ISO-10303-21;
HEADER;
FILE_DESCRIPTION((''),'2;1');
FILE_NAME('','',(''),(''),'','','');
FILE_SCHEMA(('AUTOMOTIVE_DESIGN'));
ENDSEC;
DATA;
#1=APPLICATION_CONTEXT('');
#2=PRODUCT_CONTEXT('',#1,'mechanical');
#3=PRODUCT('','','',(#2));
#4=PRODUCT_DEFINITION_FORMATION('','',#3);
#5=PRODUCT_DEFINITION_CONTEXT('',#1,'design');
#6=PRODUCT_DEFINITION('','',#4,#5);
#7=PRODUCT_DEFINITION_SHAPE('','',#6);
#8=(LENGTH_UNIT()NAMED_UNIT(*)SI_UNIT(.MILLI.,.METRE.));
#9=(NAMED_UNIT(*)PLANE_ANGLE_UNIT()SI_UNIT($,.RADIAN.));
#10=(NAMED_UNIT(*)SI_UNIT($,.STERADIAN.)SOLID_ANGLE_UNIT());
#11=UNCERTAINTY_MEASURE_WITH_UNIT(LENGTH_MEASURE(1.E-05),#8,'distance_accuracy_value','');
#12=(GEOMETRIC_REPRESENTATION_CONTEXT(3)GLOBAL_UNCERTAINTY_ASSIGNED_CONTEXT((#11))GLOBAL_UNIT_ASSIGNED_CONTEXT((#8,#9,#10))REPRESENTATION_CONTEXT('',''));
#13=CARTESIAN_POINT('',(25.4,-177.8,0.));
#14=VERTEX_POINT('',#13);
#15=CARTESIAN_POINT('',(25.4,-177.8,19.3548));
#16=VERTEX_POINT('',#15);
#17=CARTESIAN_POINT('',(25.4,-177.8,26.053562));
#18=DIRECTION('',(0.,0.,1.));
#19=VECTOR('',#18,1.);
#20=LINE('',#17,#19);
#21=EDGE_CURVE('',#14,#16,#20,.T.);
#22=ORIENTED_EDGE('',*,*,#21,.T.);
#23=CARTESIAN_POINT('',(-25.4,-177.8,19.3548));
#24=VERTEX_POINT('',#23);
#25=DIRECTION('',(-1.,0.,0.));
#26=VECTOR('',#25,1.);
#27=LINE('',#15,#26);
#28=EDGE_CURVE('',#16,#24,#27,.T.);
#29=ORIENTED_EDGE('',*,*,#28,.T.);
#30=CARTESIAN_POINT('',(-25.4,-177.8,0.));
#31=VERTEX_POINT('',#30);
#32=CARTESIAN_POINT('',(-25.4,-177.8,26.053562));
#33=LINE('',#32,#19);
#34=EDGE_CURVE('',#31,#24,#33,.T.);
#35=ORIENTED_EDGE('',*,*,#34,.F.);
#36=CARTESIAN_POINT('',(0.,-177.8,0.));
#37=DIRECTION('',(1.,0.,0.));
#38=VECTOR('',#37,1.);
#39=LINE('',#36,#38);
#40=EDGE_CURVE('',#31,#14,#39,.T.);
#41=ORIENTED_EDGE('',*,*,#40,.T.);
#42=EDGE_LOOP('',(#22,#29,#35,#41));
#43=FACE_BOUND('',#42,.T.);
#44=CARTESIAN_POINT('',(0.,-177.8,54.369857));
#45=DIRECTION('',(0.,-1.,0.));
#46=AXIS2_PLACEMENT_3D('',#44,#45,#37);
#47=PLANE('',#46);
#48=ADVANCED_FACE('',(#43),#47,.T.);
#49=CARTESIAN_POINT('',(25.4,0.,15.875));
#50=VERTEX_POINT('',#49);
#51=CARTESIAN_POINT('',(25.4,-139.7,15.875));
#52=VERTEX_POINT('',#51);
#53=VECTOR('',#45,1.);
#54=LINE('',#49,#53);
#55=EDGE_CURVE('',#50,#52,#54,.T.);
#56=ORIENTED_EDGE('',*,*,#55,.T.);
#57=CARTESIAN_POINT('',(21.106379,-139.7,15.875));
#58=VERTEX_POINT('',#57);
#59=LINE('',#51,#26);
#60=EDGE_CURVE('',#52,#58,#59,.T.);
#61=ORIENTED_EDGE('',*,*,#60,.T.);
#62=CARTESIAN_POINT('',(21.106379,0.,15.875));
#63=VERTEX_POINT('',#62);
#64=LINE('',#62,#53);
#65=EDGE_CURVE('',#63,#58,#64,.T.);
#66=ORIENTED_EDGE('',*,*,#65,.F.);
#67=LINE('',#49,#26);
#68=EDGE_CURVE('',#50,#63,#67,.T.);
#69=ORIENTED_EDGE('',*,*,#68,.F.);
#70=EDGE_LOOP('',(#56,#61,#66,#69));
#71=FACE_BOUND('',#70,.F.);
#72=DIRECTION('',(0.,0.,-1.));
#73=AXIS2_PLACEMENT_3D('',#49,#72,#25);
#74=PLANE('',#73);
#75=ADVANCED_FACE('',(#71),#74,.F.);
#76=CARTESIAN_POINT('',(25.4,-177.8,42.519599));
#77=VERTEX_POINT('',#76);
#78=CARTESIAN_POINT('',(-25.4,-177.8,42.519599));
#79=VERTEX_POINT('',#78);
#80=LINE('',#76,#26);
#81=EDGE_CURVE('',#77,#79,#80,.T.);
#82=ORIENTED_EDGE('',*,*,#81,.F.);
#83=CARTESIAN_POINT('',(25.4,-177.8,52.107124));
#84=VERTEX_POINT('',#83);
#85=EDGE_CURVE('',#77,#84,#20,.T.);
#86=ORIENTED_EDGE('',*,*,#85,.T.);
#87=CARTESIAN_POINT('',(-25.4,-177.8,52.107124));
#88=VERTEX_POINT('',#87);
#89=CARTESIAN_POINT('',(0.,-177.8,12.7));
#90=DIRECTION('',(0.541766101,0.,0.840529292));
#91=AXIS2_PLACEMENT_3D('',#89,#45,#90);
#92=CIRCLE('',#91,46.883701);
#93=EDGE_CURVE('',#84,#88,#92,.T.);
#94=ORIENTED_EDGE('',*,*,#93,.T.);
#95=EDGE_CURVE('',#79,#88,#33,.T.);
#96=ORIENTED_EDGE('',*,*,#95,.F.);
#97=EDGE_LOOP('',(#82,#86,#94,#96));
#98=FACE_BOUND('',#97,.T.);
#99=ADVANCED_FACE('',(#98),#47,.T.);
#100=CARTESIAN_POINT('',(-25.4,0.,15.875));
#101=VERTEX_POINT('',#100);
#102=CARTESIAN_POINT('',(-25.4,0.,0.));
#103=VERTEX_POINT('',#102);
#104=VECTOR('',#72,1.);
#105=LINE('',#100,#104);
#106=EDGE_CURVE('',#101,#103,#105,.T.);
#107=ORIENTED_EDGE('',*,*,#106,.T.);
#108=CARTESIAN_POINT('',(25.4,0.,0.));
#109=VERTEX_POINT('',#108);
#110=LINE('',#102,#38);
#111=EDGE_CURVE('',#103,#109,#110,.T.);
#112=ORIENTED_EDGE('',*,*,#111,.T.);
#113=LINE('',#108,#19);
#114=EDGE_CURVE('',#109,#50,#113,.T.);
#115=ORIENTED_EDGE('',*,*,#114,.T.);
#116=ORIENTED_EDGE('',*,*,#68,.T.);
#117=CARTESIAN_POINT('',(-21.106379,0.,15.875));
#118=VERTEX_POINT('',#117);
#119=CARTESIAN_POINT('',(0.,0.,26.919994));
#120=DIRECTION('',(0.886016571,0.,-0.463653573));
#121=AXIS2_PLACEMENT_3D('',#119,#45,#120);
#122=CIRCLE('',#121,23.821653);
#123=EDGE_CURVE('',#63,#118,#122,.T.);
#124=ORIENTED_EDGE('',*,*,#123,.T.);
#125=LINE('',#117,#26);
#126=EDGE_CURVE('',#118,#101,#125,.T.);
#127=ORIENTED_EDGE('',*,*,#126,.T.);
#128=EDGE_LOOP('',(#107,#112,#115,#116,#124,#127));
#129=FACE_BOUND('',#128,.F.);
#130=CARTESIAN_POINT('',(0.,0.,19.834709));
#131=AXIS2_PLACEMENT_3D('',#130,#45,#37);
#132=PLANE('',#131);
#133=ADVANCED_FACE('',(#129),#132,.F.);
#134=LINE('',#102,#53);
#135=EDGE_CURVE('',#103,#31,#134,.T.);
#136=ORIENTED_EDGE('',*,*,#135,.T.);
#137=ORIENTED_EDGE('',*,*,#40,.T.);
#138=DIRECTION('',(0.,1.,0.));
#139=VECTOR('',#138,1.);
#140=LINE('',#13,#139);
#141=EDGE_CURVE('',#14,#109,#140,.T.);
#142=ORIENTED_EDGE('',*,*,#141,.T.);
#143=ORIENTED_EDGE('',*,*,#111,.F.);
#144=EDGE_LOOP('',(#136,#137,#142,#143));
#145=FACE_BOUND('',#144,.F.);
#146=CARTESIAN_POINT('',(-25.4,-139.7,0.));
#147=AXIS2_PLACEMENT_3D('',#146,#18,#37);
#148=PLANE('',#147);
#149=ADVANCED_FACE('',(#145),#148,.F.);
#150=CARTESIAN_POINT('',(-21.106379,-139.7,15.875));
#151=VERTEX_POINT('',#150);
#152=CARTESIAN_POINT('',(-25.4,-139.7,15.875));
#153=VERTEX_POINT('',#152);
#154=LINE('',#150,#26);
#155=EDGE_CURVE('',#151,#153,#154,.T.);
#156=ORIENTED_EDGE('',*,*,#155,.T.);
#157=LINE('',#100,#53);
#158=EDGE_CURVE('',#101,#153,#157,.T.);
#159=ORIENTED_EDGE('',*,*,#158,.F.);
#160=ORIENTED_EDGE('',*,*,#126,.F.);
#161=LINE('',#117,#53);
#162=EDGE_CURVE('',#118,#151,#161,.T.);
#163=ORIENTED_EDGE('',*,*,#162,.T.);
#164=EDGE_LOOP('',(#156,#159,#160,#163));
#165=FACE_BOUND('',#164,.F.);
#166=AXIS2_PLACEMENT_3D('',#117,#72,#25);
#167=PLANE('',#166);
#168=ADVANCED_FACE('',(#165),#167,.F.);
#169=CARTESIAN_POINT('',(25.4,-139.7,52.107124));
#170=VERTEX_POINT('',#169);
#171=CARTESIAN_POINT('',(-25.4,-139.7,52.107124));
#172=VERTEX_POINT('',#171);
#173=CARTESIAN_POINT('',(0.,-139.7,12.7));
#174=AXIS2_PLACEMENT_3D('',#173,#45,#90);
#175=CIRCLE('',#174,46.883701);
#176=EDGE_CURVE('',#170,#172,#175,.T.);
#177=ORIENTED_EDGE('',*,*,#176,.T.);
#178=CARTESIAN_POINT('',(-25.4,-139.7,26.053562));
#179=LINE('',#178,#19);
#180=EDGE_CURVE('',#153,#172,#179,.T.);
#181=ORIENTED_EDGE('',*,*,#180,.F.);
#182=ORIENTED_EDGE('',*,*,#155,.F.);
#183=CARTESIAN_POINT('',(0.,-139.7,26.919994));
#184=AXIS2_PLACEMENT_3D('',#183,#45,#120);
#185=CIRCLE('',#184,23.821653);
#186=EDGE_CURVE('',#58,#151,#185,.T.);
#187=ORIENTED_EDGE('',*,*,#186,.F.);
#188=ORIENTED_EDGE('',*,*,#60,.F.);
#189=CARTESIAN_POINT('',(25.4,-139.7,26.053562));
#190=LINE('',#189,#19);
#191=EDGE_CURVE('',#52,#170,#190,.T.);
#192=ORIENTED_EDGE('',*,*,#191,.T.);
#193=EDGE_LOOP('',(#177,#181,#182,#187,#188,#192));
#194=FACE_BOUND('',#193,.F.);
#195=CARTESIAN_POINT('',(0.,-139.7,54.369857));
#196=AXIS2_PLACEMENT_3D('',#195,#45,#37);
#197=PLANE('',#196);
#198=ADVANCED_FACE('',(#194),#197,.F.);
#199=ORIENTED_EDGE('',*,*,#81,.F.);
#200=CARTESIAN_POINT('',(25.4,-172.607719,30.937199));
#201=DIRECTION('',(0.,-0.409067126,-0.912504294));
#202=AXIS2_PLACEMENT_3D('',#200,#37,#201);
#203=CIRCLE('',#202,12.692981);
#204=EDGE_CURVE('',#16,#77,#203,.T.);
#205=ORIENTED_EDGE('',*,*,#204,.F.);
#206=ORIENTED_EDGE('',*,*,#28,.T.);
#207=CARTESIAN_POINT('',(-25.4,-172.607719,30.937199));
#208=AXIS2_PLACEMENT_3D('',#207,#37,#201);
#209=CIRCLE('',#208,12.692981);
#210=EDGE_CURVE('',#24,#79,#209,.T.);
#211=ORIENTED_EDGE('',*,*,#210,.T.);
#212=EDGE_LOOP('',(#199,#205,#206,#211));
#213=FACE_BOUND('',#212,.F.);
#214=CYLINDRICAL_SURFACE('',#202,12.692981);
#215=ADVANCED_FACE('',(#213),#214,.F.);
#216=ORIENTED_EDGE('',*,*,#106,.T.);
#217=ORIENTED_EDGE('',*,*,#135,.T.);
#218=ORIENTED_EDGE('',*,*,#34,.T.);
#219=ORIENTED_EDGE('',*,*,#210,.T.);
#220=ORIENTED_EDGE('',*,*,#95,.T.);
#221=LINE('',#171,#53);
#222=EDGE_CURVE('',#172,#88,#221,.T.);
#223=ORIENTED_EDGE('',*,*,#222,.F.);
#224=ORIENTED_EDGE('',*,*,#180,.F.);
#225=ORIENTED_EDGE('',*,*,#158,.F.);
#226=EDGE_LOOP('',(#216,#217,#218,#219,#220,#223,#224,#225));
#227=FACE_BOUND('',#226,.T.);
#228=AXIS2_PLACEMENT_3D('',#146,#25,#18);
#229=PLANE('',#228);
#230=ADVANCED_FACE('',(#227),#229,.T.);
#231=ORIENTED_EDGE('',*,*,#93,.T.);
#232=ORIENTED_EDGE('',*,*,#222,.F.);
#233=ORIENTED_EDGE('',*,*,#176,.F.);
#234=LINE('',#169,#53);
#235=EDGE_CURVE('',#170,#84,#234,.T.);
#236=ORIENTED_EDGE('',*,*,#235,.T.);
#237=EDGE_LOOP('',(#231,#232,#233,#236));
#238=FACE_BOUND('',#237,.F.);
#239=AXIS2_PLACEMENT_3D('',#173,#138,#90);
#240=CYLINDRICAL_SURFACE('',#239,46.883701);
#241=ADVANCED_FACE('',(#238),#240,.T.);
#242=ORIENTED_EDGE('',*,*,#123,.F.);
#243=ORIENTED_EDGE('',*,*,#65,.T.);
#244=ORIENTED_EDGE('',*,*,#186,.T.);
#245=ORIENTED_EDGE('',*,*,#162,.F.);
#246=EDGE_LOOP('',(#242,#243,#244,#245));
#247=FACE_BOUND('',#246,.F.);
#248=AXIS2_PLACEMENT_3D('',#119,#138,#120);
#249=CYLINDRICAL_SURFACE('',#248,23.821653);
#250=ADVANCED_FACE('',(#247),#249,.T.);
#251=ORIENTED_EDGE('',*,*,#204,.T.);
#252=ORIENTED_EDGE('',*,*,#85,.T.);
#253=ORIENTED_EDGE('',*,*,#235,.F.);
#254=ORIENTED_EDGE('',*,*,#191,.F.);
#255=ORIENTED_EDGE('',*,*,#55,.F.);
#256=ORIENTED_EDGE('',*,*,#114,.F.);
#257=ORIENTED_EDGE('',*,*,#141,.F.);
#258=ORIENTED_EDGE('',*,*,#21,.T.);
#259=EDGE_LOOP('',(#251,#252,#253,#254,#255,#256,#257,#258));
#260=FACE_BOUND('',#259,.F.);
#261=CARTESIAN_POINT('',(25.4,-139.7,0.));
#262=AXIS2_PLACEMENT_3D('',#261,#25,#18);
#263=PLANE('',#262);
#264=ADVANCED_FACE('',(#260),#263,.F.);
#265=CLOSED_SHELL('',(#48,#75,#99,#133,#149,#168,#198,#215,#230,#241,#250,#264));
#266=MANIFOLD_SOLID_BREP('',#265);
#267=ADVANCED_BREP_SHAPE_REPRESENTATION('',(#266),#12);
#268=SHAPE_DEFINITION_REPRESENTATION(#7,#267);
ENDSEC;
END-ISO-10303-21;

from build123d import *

# Parameters (mm, degrees)
F1_DEPTH = 139.7
F2_W     = 50.8
F2_H     = 52.107124
F3_DEPTH = 38.1
F5_DEPTH = 50.8


with BuildPart() as f1:
    # F0 (on Front) → F1 (new body)
    with BuildSketch(Plane.XZ):
        with BuildLine():
            Line((-25.4, 0), (0, 0))
            Line((0, 0), (25.4, 0))
            Line((25.4, 0), (25.4, 15.875))
            Line((25.4, 15.875), (21.106379, 15.875))
            ThreePointArc((21.106379, 15.875), (0, 50.741647), (-21.106379, 15.875))
            Line((-21.106379, 15.875), (-25.4, 15.875))
            Line((-25.4, 15.875), (-25.4, 0))
        make_face()
    extrude(amount=F1_DEPTH)

    # F2 (on face) → F3 (join)
    with BuildSketch(Plane.XZ.offset(139.7)):
        with BuildLine():
            Line((-25.4, 52.107124), (25.4, 52.107124))
            ThreePointArc((25.4, 52.107124), (0, 59.583701), (-25.4, 52.107124))
        make_face()
        with Locations((0, 26.053562)):
            Rectangle(F2_W, F2_H)
    extrude(amount=F3_DEPTH)

    # F4 (on face) → F5 (cut)
    with BuildSketch(Plane.YZ.offset(25.4)):
        with BuildLine():
            Line((-177.8, 42.519599), (-177.8, 19.3548))
            ThreePointArc((-177.8, 19.3548), (-159.914738, 30.937199), (-177.8, 42.519599))
        make_face()
    extrude(amount=-F5_DEPTH, mode=Mode.SUBTRACT)


solid = f1.part
